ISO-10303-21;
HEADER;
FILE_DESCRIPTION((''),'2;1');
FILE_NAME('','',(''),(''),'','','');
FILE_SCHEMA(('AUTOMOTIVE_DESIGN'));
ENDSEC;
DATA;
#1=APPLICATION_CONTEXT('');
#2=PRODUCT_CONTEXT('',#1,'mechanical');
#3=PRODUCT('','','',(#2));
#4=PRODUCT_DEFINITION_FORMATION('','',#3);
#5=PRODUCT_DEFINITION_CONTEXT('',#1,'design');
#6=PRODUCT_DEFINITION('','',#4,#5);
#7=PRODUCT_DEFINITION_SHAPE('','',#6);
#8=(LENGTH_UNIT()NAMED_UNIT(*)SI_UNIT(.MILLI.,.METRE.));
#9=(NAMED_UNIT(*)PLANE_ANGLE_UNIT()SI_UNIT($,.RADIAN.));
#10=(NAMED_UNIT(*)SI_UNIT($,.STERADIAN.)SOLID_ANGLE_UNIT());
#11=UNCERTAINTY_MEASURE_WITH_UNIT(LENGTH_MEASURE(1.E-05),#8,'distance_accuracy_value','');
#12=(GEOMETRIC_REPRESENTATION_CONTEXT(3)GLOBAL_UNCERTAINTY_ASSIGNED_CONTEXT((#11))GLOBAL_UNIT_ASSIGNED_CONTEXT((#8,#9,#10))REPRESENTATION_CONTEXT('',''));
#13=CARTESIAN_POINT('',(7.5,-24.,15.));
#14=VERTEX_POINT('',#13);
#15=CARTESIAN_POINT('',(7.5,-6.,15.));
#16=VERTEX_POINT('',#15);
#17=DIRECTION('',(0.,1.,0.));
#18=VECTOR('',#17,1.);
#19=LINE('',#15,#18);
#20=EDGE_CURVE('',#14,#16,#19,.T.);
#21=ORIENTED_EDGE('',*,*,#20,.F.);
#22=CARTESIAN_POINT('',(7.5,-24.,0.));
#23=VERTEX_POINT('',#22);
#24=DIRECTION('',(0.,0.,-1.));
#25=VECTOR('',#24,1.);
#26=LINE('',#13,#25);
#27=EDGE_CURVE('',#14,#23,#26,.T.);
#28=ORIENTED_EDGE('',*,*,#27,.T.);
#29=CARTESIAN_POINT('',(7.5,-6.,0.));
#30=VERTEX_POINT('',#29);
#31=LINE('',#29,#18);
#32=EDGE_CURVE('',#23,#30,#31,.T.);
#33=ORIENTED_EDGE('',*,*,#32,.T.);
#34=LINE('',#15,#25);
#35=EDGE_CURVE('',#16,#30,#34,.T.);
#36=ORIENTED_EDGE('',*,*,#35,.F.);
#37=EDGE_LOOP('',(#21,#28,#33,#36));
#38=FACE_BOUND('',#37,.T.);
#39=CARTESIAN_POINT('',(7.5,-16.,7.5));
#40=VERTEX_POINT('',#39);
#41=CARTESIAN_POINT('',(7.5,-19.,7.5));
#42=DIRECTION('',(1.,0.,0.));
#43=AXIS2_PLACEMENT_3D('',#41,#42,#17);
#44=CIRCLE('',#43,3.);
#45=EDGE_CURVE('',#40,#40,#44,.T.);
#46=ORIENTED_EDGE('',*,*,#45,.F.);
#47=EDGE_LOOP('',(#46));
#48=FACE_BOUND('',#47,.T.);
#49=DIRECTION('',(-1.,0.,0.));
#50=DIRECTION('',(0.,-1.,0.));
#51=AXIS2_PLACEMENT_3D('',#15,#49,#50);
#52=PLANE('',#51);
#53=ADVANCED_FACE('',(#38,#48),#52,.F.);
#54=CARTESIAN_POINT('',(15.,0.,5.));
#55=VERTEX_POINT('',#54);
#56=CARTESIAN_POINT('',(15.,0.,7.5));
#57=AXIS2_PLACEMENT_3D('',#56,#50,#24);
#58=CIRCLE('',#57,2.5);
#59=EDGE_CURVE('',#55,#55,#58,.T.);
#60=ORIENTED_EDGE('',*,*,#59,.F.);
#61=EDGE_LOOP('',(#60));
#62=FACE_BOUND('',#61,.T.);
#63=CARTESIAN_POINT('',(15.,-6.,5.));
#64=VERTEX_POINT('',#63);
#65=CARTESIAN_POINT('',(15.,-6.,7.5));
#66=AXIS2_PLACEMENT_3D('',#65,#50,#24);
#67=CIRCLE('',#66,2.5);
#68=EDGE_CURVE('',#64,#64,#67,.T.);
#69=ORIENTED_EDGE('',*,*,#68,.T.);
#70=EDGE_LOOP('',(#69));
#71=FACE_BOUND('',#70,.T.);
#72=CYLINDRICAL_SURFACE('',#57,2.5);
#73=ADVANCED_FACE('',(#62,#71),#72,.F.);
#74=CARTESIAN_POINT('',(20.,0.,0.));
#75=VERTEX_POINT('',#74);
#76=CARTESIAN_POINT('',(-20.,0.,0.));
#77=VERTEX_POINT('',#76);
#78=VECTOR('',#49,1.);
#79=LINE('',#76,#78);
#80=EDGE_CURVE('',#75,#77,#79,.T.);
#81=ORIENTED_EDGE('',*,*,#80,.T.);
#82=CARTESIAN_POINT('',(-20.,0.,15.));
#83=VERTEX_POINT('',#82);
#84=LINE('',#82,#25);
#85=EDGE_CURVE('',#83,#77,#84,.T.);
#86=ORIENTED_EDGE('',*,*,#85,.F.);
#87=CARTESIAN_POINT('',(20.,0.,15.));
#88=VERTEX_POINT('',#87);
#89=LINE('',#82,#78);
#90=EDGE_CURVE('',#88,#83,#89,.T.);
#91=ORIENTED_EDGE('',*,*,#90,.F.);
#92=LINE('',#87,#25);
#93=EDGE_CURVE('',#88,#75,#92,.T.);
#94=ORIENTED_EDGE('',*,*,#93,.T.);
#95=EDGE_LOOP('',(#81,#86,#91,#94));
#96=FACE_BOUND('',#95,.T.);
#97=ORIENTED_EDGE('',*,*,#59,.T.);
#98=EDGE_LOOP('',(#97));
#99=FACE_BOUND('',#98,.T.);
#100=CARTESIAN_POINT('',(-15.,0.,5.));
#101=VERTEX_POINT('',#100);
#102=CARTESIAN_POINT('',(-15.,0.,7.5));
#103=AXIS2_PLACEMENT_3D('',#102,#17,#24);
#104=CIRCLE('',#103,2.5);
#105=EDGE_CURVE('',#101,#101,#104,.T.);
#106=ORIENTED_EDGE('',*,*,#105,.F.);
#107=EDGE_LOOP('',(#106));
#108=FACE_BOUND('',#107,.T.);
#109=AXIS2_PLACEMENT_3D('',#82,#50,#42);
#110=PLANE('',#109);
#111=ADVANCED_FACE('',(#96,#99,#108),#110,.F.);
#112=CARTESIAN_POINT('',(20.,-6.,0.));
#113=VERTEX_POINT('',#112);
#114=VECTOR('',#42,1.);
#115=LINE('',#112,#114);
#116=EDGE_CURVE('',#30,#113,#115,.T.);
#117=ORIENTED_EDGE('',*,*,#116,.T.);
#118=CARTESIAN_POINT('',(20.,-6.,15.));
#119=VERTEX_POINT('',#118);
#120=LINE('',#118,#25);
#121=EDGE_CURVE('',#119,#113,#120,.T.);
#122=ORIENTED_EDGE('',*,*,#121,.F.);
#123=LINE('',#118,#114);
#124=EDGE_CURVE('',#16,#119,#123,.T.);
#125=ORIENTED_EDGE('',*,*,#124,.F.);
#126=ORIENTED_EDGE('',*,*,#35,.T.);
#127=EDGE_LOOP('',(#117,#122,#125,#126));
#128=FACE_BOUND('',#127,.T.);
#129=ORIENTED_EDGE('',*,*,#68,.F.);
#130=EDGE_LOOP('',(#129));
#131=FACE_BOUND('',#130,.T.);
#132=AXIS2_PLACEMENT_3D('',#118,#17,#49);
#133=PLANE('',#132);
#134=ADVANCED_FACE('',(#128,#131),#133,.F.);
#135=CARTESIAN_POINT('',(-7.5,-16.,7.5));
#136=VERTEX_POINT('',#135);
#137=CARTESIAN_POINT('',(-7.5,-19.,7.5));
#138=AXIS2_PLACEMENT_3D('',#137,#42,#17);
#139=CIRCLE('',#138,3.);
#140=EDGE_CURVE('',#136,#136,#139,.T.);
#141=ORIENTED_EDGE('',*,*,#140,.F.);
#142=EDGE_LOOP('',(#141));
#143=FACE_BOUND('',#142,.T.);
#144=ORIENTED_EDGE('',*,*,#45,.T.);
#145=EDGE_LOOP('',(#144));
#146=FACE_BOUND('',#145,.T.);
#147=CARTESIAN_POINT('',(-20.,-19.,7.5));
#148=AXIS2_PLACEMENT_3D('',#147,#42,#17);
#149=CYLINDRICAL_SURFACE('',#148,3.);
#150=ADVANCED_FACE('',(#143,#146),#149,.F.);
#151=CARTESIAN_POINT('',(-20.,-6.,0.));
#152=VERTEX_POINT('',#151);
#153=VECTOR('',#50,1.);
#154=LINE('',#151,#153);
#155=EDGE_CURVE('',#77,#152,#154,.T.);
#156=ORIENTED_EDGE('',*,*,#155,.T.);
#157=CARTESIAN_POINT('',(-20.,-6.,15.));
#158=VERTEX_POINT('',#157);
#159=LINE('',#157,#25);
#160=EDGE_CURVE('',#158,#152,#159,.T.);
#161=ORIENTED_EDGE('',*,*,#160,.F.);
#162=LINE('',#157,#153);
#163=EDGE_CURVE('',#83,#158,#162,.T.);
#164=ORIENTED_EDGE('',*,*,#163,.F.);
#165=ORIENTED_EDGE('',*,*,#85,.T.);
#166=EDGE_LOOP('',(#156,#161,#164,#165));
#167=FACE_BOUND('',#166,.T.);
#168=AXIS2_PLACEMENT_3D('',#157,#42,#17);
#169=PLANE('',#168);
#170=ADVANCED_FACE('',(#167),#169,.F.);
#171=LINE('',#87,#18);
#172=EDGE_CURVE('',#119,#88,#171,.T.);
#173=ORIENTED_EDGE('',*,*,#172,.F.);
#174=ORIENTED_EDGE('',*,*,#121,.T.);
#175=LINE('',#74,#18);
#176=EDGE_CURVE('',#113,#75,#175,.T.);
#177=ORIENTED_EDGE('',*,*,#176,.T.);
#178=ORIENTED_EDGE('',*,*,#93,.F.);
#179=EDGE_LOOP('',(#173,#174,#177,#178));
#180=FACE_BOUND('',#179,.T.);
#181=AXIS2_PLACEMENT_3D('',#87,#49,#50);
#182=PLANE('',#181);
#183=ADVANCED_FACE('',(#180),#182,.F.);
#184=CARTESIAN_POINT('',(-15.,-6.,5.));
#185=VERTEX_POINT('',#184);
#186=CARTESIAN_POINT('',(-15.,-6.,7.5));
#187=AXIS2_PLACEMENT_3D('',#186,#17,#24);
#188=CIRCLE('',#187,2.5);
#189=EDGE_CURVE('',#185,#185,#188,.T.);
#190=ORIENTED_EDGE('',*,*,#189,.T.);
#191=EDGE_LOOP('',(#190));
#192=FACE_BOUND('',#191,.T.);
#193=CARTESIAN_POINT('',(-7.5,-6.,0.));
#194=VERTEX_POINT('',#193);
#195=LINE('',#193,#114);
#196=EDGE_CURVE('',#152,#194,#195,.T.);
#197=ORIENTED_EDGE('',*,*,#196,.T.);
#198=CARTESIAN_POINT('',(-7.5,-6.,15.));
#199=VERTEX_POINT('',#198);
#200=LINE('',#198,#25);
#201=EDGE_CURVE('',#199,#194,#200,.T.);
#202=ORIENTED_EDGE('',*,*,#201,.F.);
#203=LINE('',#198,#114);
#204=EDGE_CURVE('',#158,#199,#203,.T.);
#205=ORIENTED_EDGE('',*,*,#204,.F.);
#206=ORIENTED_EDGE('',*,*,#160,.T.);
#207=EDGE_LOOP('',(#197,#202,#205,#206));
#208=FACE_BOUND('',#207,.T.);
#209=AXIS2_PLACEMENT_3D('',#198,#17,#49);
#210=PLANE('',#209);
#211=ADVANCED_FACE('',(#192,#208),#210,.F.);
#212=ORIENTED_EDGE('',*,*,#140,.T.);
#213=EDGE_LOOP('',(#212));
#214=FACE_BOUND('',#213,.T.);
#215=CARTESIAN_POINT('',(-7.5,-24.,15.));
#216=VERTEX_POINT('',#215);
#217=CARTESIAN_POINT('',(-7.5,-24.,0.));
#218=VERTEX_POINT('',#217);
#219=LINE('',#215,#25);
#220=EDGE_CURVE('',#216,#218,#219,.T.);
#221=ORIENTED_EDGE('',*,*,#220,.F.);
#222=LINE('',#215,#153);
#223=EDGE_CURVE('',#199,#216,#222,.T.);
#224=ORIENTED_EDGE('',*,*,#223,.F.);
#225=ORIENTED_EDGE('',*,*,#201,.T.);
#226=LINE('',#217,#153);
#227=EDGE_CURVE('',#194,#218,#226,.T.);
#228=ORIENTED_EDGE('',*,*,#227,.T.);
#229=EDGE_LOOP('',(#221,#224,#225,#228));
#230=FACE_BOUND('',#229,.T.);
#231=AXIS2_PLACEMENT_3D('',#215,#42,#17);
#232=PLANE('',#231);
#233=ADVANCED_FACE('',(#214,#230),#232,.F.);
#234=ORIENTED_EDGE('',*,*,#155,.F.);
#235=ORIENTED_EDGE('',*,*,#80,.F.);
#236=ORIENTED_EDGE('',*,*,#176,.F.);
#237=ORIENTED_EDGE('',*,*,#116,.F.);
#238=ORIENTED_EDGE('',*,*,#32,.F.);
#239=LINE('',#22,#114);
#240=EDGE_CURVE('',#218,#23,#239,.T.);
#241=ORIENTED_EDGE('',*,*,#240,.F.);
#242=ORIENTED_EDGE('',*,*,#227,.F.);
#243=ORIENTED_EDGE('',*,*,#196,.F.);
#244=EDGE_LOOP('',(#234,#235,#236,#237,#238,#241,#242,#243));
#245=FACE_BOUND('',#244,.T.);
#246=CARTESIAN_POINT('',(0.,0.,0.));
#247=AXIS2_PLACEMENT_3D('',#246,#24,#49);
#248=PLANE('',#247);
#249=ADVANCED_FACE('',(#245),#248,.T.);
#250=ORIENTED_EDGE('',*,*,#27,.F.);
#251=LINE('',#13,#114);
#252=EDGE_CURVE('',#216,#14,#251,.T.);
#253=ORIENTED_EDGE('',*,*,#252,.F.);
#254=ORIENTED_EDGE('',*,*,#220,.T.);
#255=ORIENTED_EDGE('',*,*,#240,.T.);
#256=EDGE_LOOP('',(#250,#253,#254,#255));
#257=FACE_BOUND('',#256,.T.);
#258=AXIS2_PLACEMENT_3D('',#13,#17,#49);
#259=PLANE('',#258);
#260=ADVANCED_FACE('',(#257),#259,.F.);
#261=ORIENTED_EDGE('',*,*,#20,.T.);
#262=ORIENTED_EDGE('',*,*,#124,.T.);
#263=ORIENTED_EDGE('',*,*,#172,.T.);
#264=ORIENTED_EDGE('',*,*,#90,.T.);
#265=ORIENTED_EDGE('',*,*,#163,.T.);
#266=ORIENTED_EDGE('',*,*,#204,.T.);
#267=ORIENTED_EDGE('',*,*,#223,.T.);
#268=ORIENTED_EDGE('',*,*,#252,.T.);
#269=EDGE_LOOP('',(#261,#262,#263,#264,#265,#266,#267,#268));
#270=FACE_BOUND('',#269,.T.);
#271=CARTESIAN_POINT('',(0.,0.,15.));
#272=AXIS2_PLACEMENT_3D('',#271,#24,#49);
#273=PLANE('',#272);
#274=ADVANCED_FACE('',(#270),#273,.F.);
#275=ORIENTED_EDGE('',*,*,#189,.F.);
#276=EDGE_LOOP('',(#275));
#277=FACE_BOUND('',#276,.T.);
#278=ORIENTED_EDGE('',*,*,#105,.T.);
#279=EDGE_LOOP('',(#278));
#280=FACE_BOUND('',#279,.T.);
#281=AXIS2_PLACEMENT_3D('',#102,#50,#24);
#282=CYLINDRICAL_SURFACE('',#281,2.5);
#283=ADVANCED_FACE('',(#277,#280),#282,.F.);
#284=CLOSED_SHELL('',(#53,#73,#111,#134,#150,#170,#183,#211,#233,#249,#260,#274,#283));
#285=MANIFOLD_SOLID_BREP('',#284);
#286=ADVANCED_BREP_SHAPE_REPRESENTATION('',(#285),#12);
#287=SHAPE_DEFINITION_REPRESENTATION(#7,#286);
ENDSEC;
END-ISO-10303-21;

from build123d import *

# Parameters (mm, degrees)
EXTRUDE_1_DEPTH     = 15
SKETCH_2_R          = 2.5
CUT_EXTRUDE_1_DEPTH = 31.805843601
SKETCH_3_R          = 3
CUT_EXTRUDE_2_DEPTH = 40.462007045


with BuildPart() as part:
    # 草图1 → 凸台-拉伸1 (new body)
    with BuildSketch(Plane.XY):
        Polygon((-20, 0), (20, 0), (20, -6), (7.5, -6), (7.5, -24), (-7.5, -24), (-7.5, -6), (-20, -6), align=None)
    extrude(amount=EXTRUDE_1_DEPTH)

    # 草图2 → 切除-拉伸1 (cut, through all)
    with BuildSketch(Plane.XZ.offset(6)):
        with Locations(Location((15, 7.5, 0), (0, 0, 270))):
            Circle(SKETCH_2_R)
    cut_extrude_1 = extrude(amount=-CUT_EXTRUDE_1_DEPTH, mode=Mode.SUBTRACT)

    # 镜向1: 切除-拉伸1 across plane
    add(cut_extrude_1.mirror(Plane(origin=(0, 0, 0), x_dir=(0, 0, 1), z_dir=(1, 0, 0))), mode=Mode.SUBTRACT)

    # 草图3 → 切除-拉伸2 (cut, through all)
    with BuildSketch(Plane(origin=(7.5, 0, 0), x_dir=(0, 0, -1), z_dir=(1, 0, 0))):
        with Locations(Location((-7.5, -19, 0), (0, 0, 90))):
            Circle(SKETCH_3_R)
    extrude(amount=-CUT_EXTRUDE_2_DEPTH, mode=Mode.SUBTRACT)


solid = part.part
